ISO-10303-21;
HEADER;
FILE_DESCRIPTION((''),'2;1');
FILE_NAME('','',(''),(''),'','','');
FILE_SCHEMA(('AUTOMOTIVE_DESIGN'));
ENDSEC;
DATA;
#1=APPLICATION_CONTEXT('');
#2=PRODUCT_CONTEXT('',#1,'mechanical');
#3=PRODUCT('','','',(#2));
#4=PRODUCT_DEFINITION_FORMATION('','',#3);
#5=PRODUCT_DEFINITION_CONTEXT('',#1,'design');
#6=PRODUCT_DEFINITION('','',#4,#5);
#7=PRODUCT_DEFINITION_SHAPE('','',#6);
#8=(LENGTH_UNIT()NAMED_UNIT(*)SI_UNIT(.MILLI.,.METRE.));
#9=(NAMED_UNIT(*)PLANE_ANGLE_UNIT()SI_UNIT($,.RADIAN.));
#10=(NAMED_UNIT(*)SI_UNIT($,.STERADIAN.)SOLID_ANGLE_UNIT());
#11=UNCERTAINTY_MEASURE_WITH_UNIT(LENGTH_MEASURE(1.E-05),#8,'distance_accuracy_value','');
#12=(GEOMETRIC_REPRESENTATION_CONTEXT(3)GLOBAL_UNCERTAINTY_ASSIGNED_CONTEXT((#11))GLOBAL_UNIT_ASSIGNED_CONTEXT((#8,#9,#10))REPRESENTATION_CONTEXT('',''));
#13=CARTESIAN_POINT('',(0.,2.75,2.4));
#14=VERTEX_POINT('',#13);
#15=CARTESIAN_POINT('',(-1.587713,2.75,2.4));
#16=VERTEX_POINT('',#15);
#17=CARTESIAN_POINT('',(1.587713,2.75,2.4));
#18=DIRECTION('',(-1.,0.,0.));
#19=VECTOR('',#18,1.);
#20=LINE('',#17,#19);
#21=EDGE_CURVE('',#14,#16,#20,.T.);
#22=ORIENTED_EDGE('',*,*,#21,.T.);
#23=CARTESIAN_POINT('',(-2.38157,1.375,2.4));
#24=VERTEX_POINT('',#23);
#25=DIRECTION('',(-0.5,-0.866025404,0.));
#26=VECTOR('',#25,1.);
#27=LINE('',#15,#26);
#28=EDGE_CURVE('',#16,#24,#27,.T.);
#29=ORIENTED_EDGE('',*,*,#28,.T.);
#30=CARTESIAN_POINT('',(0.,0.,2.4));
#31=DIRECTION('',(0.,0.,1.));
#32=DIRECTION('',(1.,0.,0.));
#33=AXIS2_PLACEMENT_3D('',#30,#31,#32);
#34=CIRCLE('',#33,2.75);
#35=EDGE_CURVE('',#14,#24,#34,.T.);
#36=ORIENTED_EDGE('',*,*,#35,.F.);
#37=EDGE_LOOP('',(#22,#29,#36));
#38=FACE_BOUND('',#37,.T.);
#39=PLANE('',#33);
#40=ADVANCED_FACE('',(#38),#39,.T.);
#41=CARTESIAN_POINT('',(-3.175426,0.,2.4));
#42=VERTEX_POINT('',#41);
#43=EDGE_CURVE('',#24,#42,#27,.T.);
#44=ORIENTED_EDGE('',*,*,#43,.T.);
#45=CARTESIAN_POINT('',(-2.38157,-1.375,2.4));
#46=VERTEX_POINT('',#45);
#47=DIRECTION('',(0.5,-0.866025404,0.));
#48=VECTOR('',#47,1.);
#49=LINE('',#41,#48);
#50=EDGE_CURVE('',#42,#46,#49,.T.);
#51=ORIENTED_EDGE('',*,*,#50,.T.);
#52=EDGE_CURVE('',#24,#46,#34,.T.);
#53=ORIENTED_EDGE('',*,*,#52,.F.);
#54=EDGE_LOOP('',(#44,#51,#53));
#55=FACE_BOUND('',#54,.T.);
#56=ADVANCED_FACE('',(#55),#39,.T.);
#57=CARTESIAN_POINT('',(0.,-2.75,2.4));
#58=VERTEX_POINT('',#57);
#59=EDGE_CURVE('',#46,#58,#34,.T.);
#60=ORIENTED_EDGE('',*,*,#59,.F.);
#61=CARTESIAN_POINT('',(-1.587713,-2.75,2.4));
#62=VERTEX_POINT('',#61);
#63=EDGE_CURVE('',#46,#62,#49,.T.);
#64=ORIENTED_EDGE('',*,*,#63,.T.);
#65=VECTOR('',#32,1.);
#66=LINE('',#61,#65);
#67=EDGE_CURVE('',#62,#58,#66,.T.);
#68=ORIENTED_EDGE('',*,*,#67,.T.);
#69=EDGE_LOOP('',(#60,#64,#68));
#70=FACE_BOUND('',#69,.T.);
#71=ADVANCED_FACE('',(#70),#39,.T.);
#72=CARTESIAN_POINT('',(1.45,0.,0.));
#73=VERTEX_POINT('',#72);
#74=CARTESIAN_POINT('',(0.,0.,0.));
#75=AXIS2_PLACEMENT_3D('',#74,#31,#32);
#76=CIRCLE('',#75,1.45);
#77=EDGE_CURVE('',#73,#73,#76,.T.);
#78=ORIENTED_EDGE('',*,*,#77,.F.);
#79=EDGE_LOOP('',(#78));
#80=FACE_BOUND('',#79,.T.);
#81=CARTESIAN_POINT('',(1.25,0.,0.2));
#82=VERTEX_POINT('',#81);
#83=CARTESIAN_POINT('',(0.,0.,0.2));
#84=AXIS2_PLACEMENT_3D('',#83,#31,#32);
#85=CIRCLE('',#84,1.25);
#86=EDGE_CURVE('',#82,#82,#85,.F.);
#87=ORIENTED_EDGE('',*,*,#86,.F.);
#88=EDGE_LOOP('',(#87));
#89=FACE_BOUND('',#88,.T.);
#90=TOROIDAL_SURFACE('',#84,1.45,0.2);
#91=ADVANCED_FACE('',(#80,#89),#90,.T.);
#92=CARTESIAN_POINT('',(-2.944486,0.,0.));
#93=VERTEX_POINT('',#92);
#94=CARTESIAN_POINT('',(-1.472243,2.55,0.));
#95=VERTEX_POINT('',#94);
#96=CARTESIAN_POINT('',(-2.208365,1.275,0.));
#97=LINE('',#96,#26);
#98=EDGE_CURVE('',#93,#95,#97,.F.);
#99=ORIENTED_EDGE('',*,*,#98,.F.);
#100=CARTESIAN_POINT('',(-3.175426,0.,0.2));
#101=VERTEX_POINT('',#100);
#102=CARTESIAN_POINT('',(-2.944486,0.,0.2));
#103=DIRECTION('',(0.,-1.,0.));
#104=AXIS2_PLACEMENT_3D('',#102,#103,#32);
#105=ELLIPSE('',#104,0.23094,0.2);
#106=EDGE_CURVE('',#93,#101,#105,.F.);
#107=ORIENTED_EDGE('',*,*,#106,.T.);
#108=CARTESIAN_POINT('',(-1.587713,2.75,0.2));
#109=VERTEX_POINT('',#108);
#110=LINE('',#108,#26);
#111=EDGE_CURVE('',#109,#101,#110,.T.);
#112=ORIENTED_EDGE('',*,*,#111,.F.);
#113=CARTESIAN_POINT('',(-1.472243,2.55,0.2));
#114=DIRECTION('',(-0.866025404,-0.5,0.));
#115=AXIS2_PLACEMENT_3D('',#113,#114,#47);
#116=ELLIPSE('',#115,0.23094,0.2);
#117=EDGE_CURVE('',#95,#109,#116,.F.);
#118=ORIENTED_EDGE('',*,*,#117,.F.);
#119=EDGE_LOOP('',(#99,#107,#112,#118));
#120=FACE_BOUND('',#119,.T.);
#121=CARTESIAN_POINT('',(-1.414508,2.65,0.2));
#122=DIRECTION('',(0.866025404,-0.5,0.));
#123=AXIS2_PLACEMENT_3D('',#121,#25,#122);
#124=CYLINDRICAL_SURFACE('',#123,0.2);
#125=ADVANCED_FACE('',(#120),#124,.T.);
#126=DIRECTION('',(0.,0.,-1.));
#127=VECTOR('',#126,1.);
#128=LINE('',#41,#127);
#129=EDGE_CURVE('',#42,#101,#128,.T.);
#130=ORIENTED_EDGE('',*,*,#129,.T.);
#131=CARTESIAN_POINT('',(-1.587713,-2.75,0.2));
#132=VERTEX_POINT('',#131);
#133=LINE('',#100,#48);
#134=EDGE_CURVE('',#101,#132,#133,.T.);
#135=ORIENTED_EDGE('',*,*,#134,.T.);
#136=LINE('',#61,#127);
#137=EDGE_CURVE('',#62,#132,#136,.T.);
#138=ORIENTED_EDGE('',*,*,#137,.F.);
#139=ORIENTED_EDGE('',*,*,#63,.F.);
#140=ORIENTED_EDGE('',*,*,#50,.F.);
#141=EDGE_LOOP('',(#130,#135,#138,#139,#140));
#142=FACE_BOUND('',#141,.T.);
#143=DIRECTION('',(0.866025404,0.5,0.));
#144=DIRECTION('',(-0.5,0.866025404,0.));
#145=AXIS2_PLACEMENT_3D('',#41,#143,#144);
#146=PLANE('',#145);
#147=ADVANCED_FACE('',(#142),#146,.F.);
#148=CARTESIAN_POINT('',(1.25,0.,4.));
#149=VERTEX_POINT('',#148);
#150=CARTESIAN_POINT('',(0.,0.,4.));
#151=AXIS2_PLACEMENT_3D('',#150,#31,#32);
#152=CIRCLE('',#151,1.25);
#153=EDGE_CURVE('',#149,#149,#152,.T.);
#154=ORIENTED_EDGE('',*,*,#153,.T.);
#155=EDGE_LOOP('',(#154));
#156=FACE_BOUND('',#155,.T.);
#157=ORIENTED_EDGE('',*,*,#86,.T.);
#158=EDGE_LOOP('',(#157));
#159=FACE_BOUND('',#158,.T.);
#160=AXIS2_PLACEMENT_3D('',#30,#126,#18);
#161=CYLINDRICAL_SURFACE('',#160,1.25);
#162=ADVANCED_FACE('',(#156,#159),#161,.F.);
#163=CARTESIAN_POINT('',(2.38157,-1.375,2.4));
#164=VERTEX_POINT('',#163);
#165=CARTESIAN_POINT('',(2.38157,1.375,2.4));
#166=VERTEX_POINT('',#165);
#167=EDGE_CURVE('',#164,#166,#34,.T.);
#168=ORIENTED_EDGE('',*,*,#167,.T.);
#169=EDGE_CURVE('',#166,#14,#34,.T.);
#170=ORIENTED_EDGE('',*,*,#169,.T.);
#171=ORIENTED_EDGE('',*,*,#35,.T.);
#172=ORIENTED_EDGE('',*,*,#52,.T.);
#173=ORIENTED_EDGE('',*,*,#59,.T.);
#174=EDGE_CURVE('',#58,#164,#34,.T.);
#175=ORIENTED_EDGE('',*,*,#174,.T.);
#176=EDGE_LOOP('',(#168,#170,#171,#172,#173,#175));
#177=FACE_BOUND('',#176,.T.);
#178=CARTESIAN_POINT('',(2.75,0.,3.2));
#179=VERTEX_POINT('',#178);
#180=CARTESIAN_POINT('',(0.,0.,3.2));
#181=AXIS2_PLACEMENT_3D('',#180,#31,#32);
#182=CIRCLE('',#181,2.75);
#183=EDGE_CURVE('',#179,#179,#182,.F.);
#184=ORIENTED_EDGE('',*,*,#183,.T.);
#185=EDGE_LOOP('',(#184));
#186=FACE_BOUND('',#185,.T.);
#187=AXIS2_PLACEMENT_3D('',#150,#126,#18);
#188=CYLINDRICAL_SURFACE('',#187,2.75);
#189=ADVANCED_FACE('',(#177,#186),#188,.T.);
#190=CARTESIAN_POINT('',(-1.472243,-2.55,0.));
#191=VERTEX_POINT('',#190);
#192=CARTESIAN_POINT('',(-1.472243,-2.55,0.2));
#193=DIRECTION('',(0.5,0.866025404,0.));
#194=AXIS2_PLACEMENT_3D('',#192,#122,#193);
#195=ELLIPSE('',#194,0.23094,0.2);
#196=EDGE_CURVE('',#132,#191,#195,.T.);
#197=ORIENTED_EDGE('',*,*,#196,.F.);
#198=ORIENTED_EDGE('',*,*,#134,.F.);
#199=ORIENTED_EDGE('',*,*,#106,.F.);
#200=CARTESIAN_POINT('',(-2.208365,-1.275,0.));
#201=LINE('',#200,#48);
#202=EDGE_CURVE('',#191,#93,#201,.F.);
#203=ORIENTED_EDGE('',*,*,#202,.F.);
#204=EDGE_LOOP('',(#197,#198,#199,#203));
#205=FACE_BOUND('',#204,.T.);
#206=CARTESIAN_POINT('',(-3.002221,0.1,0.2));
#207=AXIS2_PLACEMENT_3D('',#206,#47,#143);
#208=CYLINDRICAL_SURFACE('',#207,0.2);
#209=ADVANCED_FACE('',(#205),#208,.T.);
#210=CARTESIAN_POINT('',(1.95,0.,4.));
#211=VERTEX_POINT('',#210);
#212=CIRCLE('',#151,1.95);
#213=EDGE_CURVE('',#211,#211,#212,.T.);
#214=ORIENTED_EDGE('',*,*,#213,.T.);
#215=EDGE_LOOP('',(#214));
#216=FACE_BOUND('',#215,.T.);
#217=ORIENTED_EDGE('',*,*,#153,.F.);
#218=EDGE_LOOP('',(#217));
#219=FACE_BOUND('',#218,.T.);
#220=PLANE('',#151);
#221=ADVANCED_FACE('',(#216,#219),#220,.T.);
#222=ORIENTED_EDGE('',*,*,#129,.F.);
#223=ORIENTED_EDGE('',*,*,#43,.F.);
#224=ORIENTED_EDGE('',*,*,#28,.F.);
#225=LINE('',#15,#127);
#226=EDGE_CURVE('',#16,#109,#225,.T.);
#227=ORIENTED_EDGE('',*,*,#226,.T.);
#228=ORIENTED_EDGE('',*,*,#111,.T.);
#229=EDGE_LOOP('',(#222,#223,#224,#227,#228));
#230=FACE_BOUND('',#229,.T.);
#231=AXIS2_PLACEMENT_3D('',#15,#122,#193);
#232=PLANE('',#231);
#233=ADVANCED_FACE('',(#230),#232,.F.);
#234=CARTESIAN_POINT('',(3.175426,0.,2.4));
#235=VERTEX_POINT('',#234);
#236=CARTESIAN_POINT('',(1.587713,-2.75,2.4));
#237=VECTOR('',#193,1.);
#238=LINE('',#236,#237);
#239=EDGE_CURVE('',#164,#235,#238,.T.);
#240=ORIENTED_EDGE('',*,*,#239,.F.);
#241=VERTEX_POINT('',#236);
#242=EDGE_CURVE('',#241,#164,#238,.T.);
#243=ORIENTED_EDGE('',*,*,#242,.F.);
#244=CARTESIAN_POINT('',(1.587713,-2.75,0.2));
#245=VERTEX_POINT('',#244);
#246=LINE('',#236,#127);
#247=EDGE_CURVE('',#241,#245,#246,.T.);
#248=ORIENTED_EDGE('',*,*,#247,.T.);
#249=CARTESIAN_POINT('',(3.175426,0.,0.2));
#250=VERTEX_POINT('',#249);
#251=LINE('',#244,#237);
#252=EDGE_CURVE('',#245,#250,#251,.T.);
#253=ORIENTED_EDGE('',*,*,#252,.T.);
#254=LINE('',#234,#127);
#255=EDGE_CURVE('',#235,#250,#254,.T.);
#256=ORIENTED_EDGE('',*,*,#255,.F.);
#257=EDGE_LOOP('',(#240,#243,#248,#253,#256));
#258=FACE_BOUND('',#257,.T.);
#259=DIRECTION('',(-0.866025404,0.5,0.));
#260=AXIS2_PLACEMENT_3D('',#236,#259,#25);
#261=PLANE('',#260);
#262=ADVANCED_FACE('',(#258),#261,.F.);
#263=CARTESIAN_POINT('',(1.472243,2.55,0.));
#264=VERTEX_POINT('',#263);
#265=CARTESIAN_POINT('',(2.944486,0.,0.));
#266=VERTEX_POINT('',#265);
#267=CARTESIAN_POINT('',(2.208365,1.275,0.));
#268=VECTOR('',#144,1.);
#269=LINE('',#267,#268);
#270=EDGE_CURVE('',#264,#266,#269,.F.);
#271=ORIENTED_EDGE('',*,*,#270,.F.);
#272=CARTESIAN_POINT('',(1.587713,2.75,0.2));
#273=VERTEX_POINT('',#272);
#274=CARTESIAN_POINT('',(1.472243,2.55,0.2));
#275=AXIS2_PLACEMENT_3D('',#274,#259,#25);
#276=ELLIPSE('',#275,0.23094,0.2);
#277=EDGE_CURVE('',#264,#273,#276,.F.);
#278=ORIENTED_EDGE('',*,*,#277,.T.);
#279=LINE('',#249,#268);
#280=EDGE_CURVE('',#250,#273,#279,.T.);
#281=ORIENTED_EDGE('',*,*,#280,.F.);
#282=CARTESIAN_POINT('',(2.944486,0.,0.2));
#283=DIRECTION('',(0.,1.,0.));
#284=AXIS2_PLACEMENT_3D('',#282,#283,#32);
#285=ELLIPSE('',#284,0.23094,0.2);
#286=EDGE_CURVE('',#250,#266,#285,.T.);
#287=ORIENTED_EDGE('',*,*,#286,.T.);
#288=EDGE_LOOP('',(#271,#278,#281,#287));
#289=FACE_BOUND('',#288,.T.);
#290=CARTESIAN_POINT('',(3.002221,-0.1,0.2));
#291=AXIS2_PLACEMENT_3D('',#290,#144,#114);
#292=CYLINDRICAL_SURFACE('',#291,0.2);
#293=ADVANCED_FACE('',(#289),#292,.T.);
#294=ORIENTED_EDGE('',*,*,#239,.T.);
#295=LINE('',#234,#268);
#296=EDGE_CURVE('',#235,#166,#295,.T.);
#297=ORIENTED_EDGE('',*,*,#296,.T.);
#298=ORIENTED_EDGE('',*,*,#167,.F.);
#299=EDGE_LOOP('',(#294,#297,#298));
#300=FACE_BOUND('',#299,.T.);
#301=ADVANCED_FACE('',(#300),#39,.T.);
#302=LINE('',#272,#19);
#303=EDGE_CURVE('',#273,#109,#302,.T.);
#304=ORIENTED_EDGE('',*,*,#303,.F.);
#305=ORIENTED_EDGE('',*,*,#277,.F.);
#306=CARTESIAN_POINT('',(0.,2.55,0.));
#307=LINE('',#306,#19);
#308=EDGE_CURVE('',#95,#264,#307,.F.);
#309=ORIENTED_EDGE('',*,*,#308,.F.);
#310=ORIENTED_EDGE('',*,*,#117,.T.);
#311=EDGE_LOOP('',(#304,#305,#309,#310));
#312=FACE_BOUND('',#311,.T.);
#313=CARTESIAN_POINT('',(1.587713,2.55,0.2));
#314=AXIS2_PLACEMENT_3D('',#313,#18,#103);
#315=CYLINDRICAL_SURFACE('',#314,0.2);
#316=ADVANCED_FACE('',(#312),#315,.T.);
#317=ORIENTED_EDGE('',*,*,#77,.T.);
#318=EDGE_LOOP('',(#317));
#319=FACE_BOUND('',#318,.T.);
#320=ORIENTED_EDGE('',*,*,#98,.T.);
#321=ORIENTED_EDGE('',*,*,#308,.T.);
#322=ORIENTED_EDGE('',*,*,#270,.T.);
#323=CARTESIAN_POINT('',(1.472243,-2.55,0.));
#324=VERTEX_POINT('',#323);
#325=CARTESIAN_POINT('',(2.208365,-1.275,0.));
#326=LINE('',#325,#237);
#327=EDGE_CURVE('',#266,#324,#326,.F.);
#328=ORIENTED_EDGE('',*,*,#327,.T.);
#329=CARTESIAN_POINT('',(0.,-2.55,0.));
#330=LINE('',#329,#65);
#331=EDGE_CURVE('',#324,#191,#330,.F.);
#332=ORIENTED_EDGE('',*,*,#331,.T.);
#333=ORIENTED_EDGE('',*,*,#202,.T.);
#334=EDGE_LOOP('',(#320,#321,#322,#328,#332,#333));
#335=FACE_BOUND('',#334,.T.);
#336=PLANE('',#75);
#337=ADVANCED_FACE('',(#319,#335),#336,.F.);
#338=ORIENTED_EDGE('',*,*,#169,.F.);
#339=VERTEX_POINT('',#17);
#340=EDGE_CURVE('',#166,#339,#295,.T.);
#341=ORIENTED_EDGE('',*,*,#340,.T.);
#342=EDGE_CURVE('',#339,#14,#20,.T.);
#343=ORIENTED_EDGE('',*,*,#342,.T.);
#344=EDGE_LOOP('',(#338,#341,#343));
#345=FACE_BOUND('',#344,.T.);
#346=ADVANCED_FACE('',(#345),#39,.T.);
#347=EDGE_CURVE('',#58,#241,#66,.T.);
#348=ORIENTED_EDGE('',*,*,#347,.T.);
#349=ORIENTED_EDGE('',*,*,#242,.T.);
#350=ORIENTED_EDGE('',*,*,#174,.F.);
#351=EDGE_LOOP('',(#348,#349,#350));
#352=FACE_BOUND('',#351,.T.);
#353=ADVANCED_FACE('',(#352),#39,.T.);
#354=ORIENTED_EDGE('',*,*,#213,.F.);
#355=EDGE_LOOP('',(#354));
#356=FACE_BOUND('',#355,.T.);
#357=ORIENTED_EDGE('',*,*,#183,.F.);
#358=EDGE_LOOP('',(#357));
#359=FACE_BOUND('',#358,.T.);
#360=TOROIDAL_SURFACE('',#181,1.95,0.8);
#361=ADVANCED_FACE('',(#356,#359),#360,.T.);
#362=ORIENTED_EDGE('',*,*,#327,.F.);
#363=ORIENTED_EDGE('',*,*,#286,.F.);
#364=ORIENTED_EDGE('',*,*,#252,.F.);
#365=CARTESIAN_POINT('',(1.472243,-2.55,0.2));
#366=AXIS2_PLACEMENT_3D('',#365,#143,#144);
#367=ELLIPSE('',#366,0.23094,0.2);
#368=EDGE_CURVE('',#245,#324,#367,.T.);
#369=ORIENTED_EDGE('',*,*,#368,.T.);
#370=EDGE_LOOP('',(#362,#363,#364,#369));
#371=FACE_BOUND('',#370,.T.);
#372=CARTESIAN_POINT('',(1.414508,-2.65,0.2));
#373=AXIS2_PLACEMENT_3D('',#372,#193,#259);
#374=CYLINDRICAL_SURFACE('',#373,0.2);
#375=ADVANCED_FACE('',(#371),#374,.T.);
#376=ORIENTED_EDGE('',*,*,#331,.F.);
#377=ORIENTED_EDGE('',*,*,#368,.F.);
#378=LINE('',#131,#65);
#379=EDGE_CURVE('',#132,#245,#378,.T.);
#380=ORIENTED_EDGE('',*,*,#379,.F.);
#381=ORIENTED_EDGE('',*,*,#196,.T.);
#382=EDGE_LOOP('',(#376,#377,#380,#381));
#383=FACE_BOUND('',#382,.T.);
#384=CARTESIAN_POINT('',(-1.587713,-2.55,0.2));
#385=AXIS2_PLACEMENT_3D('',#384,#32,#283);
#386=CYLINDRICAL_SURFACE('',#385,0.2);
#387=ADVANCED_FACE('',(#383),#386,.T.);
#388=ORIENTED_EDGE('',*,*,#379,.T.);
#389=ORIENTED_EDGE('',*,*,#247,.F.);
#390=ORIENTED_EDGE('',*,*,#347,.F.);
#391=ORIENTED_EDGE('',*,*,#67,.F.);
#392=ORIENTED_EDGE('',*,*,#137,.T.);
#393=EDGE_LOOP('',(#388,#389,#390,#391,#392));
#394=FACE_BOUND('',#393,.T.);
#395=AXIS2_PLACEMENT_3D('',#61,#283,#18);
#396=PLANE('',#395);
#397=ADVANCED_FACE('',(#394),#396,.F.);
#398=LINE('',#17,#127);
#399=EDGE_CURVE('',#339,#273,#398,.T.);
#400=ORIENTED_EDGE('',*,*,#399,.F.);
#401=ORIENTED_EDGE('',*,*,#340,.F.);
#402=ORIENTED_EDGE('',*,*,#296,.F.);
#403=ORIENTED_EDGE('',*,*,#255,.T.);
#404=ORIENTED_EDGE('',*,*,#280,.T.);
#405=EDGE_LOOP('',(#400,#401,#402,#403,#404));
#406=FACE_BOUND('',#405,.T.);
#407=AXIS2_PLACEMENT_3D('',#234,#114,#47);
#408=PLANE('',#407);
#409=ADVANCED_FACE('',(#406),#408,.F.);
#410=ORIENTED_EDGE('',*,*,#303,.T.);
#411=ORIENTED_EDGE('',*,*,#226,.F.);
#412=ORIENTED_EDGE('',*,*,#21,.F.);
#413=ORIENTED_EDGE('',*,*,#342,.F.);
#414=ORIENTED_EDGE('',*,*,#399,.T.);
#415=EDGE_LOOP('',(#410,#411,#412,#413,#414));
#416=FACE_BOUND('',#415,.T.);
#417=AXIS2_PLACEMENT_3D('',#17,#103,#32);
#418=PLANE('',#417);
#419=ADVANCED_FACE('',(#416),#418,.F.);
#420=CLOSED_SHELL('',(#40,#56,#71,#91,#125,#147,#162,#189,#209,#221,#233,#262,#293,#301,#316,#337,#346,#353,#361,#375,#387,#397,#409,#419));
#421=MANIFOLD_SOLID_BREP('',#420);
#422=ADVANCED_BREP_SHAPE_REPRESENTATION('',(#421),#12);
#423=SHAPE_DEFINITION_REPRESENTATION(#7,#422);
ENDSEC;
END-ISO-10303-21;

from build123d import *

# Parameters (mm, degrees)
SKETCH1_R           = 1.25
BOSS_EXTRUDE1_DEPTH = 2.4
SKETCH2_R           = 2.75
SKETCH2_R_2         = 1.25
BOSS_EXTRUDE2_DEPTH = 1.6
FILLET1_R           = 0.2
FILLET2_R           = 0.8


with BuildPart() as part:
    # Sketch1 → Boss-Extrude1 (new body)
    with BuildSketch(Plane.XY):
        Polygon((3.175426481, 0), (1.58771324, 2.75), (-1.58771324, 2.75), (-3.175426481, 0), (-1.58771324, -2.75), (1.58771324, -2.75), align=None)
        Circle(SKETCH1_R, mode=Mode.SUBTRACT)
    extrude(amount=BOSS_EXTRUDE1_DEPTH)

    # Sketch2 → Boss-Extrude2 (add)
    with BuildSketch(Plane.XY.offset(2.4)):
        Circle(SKETCH2_R)
        Circle(SKETCH2_R_2, mode=Mode.SUBTRACT)
    extrude(amount=BOSS_EXTRUDE2_DEPTH)

    # Fillet1
    fillet1_edges = [part.edges().sort_by_distance(p)[0] for p in [
        (-1.25, 0, 0),
        (0, -2.75, 0),
        (-2.38156986, -1.375, 0),
        (-2.38156986, 1.375, 0),
        (0, 2.75, 0),
        (2.38156986, 1.375, 0),
        (2.38156986, -1.375, 0),
    ]]
    fillet(fillet1_edges, radius=FILLET1_R)

    # Fillet2
    fillet2_edges = [part.edges().sort_by_distance(p)[0] for p in [
        (-2.75, 0, 4),
    ]]
    fillet(fillet2_edges, radius=FILLET2_R)


solid = part.part
